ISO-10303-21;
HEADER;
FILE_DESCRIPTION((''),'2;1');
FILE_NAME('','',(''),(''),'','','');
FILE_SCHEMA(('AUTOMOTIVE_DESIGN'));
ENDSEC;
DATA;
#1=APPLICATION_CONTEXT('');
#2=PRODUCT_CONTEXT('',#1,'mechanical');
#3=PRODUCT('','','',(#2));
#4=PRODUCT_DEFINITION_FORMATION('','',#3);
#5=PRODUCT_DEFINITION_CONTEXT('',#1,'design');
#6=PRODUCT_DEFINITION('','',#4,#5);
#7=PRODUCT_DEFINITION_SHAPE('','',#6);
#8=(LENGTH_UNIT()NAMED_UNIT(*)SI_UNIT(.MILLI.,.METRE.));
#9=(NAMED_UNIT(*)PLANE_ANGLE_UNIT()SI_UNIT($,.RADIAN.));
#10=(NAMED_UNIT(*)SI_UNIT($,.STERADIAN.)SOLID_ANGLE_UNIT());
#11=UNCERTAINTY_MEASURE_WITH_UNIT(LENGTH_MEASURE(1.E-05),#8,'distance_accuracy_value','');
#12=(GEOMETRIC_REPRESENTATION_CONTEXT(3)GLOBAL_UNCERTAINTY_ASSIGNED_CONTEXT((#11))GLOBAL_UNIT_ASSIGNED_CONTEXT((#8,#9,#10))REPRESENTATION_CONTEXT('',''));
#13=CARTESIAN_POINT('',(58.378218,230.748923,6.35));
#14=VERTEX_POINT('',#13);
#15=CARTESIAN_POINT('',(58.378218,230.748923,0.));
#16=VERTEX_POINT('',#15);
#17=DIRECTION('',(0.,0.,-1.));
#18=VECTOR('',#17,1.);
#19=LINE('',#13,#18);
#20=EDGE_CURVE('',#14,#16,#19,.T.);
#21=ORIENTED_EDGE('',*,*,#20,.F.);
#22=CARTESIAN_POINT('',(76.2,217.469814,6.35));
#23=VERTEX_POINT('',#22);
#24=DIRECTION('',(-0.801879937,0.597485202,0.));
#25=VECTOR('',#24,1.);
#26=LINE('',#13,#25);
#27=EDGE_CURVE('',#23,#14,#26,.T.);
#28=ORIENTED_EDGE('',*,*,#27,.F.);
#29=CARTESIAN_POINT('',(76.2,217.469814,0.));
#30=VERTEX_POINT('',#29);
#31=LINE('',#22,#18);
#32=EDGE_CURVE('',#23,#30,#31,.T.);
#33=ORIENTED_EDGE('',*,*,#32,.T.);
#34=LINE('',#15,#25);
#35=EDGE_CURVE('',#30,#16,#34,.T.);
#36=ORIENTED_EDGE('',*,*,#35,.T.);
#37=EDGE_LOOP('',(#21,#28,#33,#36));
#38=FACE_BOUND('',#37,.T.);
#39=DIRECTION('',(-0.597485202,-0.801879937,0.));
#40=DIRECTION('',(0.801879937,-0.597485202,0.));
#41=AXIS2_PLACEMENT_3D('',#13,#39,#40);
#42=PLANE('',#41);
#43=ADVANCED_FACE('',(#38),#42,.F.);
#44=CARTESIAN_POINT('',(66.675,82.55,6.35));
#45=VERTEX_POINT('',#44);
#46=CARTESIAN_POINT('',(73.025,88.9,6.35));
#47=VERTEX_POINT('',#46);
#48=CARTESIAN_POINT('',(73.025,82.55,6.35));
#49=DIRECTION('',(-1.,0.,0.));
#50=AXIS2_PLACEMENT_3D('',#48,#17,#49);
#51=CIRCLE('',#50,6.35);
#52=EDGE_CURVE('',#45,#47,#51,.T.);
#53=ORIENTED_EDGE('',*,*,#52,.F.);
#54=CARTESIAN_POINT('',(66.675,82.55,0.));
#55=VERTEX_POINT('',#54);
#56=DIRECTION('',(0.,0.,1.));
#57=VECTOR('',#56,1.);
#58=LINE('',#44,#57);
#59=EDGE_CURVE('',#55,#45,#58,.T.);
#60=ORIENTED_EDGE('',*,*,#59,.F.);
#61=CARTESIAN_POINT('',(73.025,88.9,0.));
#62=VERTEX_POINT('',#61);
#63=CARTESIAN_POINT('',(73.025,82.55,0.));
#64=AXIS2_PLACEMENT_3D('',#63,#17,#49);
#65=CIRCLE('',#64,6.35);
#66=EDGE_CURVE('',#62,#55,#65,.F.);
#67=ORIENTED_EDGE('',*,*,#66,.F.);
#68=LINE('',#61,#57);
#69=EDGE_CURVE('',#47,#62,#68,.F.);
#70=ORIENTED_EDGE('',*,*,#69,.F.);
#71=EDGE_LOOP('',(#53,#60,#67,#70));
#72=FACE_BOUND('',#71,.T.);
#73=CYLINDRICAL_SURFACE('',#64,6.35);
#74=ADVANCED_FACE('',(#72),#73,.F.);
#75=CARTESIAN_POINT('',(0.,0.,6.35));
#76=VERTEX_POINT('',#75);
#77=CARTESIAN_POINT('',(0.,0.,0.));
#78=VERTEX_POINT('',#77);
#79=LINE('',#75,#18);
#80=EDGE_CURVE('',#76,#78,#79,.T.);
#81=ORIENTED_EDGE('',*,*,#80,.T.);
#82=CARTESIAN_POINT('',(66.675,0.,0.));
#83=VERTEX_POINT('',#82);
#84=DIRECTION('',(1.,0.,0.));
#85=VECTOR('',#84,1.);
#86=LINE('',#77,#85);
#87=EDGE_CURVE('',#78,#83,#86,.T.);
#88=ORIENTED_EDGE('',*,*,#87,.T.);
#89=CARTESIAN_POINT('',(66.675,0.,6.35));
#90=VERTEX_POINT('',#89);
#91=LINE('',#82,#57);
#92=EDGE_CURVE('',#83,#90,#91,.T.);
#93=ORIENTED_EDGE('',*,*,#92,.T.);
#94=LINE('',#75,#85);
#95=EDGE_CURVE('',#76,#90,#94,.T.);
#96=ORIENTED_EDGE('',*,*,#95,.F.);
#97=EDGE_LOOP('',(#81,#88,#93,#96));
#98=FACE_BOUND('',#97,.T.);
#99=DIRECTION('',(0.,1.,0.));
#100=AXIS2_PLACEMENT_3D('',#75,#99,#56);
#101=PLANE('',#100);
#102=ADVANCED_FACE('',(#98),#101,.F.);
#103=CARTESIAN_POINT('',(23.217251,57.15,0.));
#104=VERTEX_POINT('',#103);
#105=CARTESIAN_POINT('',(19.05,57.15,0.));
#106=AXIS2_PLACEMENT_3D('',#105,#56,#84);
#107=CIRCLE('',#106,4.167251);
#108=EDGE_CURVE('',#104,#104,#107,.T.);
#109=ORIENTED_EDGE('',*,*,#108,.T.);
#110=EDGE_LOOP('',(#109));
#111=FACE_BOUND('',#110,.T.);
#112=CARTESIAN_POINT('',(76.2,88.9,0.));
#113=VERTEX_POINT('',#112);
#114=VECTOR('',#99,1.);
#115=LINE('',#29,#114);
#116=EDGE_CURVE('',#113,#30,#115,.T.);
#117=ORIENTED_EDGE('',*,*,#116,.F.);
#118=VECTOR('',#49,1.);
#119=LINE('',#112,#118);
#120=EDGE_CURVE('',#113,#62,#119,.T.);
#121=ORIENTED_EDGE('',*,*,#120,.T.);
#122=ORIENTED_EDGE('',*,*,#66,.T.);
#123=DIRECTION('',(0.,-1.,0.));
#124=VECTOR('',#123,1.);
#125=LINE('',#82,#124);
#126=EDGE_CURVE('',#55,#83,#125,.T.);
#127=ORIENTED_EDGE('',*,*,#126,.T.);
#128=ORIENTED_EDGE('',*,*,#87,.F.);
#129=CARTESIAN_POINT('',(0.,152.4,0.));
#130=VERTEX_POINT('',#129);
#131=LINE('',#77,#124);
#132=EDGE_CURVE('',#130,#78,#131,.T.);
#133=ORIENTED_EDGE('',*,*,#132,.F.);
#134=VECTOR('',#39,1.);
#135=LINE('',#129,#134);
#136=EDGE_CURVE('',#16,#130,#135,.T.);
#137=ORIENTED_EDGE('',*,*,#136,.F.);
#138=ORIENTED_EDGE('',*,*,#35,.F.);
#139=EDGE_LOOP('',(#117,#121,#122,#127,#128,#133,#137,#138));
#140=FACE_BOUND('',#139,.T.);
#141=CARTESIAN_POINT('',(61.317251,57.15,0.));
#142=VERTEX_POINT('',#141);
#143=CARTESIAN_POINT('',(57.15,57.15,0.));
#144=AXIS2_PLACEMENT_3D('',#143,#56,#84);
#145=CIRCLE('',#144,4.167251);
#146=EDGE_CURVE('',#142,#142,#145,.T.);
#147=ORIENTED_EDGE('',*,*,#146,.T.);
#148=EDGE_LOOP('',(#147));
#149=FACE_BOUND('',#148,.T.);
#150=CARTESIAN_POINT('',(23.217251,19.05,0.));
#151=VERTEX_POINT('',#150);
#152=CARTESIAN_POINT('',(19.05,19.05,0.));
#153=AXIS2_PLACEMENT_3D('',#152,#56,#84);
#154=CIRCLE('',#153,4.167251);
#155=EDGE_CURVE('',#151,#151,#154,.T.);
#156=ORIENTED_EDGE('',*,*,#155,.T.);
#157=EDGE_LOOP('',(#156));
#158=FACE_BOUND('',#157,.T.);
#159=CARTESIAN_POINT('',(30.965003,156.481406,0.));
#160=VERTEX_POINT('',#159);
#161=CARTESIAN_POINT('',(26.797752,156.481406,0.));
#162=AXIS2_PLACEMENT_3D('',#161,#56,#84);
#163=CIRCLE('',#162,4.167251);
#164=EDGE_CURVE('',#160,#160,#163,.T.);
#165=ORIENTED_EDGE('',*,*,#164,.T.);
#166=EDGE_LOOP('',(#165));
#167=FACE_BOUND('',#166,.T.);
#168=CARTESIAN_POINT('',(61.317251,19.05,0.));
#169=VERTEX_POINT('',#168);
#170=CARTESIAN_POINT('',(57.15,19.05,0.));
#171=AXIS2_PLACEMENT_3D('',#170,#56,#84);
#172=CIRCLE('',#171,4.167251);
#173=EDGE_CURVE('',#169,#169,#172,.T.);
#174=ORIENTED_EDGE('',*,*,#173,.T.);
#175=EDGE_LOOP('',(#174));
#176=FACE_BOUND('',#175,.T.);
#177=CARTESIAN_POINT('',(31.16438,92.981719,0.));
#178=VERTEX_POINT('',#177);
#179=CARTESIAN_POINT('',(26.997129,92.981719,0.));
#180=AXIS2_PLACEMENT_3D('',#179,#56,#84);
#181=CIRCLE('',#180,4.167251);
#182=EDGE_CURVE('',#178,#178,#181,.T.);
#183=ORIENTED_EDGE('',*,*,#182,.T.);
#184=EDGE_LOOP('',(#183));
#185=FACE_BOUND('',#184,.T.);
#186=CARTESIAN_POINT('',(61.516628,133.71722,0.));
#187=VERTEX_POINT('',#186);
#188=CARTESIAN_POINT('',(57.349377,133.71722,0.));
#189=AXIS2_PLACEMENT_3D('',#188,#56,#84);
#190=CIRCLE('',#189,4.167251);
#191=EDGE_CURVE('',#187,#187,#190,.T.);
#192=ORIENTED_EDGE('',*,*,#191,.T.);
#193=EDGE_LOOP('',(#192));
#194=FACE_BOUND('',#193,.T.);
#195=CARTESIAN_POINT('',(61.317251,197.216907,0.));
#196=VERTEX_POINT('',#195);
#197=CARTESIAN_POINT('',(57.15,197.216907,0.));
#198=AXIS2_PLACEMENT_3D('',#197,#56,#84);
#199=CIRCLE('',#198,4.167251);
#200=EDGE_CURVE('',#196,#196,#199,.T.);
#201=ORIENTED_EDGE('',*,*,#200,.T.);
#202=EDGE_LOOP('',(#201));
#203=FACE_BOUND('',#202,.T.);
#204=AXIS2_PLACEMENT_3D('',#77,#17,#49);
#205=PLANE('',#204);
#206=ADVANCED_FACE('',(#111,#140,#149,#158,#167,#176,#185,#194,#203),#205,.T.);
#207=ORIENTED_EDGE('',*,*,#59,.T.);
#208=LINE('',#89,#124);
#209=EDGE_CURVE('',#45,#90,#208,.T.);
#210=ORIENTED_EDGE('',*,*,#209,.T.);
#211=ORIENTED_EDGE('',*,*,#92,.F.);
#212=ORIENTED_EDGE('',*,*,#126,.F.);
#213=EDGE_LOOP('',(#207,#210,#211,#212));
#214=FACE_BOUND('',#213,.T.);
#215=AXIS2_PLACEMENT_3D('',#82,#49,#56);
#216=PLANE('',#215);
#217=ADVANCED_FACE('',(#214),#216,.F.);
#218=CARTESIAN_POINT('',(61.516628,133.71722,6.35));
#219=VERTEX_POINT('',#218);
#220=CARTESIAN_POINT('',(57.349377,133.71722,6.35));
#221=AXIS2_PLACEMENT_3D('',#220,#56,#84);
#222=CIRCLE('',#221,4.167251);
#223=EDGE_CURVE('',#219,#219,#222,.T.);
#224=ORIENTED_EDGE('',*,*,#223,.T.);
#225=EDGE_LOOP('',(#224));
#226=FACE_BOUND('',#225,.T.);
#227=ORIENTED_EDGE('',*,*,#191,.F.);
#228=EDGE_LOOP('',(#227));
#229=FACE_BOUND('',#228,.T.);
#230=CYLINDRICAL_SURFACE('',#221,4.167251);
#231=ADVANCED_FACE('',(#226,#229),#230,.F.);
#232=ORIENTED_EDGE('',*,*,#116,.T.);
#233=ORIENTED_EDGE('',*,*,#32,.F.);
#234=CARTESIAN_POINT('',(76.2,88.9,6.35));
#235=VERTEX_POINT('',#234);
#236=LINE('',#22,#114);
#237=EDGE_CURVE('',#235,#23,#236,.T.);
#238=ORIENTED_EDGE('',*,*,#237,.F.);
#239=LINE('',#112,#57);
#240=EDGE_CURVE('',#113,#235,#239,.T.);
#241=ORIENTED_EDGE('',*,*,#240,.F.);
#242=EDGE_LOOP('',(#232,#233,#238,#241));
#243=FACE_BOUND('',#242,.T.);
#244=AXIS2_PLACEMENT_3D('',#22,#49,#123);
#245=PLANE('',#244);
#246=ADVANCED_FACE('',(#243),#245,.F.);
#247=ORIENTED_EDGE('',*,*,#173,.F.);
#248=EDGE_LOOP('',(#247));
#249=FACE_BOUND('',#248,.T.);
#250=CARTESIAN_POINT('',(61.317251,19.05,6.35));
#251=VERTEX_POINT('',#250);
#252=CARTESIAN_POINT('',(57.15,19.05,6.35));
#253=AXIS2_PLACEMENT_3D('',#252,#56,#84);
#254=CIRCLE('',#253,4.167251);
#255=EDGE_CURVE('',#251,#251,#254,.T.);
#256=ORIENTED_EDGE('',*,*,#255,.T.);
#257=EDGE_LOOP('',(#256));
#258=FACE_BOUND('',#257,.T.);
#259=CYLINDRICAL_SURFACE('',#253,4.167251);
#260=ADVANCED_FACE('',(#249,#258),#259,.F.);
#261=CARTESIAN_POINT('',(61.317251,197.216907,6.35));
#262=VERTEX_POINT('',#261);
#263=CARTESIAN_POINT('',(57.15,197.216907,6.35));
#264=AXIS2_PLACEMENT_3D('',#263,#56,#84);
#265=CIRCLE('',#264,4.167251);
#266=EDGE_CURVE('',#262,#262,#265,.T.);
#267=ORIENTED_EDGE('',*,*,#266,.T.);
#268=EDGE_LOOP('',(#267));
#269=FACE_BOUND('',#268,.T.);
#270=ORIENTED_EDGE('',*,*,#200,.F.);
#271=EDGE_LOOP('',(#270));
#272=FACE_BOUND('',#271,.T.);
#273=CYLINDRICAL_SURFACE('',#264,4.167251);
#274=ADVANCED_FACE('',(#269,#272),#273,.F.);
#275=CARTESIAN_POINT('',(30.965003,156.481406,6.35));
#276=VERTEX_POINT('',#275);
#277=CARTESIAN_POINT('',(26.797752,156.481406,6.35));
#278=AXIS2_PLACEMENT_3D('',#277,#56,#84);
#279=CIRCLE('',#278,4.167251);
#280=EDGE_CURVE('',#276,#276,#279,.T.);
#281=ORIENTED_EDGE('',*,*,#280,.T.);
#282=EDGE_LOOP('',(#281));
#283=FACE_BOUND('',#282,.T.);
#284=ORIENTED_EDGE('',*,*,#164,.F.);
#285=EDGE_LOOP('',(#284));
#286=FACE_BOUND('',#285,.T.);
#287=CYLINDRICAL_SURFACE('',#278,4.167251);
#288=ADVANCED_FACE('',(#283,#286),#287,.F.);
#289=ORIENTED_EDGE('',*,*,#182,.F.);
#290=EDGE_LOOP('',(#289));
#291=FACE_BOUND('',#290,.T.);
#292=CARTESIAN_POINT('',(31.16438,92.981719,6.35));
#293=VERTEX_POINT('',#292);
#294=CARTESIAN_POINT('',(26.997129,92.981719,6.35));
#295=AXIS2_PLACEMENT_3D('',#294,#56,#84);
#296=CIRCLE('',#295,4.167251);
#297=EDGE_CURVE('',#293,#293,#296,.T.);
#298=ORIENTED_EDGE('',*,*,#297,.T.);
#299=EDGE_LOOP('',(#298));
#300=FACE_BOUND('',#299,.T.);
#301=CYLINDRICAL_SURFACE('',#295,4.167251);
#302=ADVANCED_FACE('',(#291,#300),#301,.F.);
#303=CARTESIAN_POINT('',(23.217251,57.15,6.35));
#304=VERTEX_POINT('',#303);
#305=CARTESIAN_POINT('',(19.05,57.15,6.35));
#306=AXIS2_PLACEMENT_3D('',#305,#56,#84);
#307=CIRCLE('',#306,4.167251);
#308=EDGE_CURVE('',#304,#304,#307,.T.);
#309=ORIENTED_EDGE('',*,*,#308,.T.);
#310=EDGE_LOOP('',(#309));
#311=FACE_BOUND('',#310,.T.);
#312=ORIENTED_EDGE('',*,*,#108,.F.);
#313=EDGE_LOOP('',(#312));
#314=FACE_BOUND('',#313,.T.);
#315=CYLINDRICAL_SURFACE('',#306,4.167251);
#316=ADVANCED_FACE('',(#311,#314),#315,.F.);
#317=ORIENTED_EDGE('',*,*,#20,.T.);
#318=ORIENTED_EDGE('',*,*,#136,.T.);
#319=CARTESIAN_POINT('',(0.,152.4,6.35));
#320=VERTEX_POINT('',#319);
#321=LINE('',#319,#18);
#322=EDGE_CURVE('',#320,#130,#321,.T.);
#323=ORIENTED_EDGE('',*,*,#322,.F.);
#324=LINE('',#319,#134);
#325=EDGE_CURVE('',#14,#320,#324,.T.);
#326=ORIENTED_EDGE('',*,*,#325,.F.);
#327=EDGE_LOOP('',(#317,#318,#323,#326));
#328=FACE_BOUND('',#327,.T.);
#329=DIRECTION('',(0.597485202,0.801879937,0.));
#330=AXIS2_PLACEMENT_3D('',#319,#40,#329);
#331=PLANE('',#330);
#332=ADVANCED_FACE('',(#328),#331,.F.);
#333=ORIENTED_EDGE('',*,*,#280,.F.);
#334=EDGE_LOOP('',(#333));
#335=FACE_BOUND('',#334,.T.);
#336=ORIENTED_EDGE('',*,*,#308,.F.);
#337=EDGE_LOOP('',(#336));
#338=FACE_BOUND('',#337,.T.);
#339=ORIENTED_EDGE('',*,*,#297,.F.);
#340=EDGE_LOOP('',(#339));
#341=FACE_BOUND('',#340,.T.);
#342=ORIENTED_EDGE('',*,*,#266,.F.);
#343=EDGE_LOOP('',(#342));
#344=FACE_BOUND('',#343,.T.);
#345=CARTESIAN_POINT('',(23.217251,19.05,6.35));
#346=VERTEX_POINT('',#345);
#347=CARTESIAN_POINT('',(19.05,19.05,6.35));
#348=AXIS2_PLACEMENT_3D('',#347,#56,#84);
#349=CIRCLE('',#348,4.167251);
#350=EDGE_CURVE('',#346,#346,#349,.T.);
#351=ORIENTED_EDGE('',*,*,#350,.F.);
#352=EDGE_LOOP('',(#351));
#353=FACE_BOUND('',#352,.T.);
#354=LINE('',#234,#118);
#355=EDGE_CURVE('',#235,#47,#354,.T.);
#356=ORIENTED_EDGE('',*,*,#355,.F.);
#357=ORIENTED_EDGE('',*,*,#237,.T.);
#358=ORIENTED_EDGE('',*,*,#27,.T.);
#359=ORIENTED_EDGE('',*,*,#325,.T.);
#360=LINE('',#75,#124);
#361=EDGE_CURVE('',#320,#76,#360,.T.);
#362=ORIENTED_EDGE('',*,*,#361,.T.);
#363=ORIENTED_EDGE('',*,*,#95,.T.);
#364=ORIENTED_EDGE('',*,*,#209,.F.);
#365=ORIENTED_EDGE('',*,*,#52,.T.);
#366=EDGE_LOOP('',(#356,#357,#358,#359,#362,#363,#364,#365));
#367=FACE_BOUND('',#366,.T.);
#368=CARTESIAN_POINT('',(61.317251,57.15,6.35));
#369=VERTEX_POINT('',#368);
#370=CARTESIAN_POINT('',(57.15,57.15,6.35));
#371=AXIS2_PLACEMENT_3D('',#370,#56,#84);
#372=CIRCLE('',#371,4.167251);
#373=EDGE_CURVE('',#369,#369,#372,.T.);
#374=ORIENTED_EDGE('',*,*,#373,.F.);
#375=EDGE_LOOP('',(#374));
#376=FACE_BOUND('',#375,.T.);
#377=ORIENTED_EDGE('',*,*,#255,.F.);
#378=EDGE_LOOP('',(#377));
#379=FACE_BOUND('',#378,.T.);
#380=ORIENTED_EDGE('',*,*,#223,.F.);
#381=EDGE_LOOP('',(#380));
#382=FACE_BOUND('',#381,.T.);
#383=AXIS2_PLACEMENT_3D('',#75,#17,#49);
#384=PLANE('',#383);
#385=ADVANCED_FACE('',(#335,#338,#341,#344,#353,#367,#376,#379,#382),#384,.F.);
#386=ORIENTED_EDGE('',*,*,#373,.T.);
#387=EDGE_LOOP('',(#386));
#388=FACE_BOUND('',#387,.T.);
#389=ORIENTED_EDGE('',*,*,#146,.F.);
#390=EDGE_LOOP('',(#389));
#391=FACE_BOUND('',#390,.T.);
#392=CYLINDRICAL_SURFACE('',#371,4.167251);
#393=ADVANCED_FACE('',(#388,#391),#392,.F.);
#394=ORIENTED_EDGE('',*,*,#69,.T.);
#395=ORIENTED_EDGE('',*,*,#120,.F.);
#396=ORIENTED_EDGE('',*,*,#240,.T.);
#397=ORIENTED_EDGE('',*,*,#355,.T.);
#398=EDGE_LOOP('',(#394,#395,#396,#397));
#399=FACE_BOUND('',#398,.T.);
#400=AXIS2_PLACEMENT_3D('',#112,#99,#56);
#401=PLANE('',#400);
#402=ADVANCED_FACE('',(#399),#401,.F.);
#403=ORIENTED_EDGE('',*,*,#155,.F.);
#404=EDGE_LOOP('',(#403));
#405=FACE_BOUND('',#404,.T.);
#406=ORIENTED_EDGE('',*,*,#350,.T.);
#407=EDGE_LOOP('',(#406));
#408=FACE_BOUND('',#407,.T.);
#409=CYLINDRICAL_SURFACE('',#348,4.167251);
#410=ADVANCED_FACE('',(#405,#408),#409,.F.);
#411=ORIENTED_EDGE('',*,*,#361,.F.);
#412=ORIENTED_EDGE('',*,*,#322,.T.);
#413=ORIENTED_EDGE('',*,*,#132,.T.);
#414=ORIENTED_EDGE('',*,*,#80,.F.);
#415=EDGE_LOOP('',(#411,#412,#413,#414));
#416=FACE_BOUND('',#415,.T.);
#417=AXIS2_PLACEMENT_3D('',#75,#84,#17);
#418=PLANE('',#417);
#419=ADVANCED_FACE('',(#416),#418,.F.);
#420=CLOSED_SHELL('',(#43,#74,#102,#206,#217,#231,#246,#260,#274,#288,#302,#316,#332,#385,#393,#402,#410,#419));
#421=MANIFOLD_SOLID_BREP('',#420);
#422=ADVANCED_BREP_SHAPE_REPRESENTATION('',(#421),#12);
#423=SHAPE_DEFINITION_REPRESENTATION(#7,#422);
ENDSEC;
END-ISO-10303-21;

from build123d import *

# Parameters (mm, degrees)
BOSS_EXTRUDE1_DEPTH              = 6.35
F_21_64_0_32813_DIAMETER_HOLE1_D = 8.334502
LPATTERN1_COUNT                  = 2
LPATTERN1_PITCH                  = 38.1
LPATTERN1_COUNT_DIR2             = 2
LPATTERN1_PITCH_DIR2             = 38.1
F_21_64_0_32813_DIAMETER_HOLE2_D = 8.334502
LPATTERN2_COUNT                  = 3
LPATTERN2_PITCH                  = 50.8
LPATTERN2_COUNT_DIR2             = 2
LPATTERN2_PITCH_DIR2             = 38.1
SKETCH7_W                        = 9.525
SKETCH7_H                        = 88.9
CUT_EXTRUDE1_DEPTH               = 244.088107491
FILLET1_R                        = 6.35


with BuildPart() as part:
    # Sketch2 → Boss-Extrude1 (new body)
    with BuildSketch(Plane.XY):
        Polygon((0, 0), (76.2, 0), (76.2, 217.469814476), (58.378218394, 230.748923082), (0, 152.4), align=None)
    extrude(amount=BOSS_EXTRUDE1_DEPTH)

    # 21/64 (0.32813) Diameter Hole1 (through all)
    with Locations(Plane.XY.offset(6.35)):
        with Locations((57.15, 19.05)):
            f_21_64_0_32813_diameter_hole1 = Hole(F_21_64_0_32813_DIAMETER_HOLE1_D / 2)

    # LPattern1: 21_64 _0.32813_ Diameter Hole1 2 × 2
    with Locations(*[(-i * LPATTERN1_PITCH, j * LPATTERN1_PITCH_DIR2, 0) for i in range(LPATTERN1_COUNT) for j in range(LPATTERN1_COUNT_DIR2) if (i, j) != (0, 0)]):
        add(f_21_64_0_32813_diameter_hole1, mode=Mode.SUBTRACT)

    # 21/64 (0.32813) Diameter Hole2 (through all)
    with Locations(Plane.XY.offset(6.35)):
        with Locations((57.15, 197.2169065)):
            f_21_64_0_32813_diameter_hole2 = Hole(F_21_64_0_32813_DIAMETER_HOLE2_D / 2)

    # LPattern2: 21_64 _0.32813_ Diameter Hole2 3 × 2, 2 skipped
    with Locations(*[Vector(-0.597485201625335, -0.8018799372965586, 0) * (i * LPATTERN2_PITCH) + Vector(0.8018799372965592, -0.5974852016253344, 0) * (j * LPATTERN2_PITCH_DIR2) for i in range(LPATTERN2_COUNT) for j in range(LPATTERN2_COUNT_DIR2) if (i, j) not in ((0, 0), (0, 1), (2, 0))]):
        add(f_21_64_0_32813_diameter_hole2, mode=Mode.SUBTRACT)

    # Sketch7 → Cut-Extrude1 (cut, through all)
    with BuildSketch(Plane.XY.offset(6.35)):
        with Locations((71.4375, 44.45)):
            Rectangle(SKETCH7_W, SKETCH7_H)
    extrude(amount=-CUT_EXTRUDE1_DEPTH, mode=Mode.SUBTRACT)

    # Fillet1
    fillet1_edges = [part.edges().sort_by_distance(p)[0] for p in [
        (66.675, 88.9, 3.175),
    ]]
    fillet(fillet1_edges, radius=FILLET1_R)


solid = part.part
